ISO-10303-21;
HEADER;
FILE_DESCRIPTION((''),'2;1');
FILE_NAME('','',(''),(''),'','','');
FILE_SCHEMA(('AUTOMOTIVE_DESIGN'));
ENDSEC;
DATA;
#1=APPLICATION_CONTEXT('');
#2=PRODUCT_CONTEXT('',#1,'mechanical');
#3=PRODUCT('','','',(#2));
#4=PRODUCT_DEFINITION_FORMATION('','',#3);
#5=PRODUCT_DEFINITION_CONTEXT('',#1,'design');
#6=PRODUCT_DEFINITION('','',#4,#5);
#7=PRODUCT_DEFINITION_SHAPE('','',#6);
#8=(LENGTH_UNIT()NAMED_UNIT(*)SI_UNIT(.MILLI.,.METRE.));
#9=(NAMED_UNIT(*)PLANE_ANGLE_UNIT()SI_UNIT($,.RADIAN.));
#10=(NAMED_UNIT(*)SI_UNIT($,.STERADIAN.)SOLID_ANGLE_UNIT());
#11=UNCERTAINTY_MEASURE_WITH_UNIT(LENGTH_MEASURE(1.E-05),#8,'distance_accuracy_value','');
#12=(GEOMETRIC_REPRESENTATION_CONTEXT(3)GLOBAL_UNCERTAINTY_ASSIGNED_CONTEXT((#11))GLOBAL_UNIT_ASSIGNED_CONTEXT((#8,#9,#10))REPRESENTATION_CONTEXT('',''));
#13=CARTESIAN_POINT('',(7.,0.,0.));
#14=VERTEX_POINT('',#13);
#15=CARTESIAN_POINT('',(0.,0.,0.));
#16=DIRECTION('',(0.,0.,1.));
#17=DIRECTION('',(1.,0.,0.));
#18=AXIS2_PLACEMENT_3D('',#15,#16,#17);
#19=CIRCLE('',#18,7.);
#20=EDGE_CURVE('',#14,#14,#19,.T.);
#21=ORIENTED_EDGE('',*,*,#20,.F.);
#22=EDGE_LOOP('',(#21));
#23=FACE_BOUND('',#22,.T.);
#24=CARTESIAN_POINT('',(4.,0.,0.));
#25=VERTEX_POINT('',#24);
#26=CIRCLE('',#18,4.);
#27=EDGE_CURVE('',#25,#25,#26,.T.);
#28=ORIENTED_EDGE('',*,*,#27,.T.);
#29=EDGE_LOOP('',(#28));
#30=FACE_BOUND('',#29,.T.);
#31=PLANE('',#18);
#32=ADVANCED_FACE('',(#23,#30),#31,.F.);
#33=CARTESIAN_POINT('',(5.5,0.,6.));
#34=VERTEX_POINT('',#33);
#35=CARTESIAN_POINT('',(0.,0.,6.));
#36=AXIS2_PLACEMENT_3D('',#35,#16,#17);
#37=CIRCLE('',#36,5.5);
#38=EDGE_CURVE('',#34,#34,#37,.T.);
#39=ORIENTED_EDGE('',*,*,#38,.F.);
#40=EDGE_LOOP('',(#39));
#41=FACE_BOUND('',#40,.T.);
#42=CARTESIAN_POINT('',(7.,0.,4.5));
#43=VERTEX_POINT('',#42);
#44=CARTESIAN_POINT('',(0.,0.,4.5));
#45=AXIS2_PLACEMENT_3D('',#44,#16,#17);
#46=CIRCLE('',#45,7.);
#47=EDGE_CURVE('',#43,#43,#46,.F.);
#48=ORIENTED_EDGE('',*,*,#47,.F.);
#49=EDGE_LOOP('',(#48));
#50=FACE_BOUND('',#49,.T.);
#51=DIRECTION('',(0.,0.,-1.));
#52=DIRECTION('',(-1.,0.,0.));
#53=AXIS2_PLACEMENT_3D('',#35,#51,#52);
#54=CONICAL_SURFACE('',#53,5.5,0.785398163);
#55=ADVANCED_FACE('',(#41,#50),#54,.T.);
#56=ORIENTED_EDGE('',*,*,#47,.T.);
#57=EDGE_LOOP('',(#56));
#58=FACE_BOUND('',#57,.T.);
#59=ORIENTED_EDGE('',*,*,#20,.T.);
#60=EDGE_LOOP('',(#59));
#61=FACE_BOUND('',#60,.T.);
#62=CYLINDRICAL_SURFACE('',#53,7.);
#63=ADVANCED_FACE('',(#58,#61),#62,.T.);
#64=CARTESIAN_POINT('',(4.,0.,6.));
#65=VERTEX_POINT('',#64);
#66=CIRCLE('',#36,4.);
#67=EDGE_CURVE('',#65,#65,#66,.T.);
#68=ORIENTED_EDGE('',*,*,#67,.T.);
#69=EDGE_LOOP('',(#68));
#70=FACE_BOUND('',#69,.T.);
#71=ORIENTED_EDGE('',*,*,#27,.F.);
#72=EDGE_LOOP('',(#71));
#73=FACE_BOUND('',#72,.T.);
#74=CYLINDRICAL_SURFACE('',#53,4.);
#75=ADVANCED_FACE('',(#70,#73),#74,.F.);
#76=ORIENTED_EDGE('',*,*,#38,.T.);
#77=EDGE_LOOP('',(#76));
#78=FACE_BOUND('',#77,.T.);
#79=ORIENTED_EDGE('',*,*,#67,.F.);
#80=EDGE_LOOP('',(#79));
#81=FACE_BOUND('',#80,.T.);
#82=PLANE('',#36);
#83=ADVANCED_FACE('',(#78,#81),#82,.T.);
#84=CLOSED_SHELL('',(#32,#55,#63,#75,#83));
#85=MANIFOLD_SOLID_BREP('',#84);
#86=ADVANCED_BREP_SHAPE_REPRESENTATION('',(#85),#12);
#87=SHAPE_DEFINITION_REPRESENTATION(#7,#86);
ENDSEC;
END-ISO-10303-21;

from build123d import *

# Parameters (mm, degrees)
SCHIZZO1_R                   = 7
SCHIZZO1_R_2                 = 4
ESTRUSIONE_ESTRUSIONE1_DEPTH = 6
SMUSSO1_SIZE                 = 1.5


with BuildPart() as part:
    # Schizzo1 → Estrusione-Estrusione1 (new body)
    with BuildSketch(Plane.XY):
        Circle(SCHIZZO1_R)
        Circle(SCHIZZO1_R_2, mode=Mode.SUBTRACT)
    extrude(amount=ESTRUSIONE_ESTRUSIONE1_DEPTH)

    # Smusso1
    smusso1_edges = [part.edges().sort_by_distance(p)[0] for p in [
        (-7, 0, 6),
    ]]
    chamfer(smusso1_edges, length=SMUSSO1_SIZE)


solid = part.part
